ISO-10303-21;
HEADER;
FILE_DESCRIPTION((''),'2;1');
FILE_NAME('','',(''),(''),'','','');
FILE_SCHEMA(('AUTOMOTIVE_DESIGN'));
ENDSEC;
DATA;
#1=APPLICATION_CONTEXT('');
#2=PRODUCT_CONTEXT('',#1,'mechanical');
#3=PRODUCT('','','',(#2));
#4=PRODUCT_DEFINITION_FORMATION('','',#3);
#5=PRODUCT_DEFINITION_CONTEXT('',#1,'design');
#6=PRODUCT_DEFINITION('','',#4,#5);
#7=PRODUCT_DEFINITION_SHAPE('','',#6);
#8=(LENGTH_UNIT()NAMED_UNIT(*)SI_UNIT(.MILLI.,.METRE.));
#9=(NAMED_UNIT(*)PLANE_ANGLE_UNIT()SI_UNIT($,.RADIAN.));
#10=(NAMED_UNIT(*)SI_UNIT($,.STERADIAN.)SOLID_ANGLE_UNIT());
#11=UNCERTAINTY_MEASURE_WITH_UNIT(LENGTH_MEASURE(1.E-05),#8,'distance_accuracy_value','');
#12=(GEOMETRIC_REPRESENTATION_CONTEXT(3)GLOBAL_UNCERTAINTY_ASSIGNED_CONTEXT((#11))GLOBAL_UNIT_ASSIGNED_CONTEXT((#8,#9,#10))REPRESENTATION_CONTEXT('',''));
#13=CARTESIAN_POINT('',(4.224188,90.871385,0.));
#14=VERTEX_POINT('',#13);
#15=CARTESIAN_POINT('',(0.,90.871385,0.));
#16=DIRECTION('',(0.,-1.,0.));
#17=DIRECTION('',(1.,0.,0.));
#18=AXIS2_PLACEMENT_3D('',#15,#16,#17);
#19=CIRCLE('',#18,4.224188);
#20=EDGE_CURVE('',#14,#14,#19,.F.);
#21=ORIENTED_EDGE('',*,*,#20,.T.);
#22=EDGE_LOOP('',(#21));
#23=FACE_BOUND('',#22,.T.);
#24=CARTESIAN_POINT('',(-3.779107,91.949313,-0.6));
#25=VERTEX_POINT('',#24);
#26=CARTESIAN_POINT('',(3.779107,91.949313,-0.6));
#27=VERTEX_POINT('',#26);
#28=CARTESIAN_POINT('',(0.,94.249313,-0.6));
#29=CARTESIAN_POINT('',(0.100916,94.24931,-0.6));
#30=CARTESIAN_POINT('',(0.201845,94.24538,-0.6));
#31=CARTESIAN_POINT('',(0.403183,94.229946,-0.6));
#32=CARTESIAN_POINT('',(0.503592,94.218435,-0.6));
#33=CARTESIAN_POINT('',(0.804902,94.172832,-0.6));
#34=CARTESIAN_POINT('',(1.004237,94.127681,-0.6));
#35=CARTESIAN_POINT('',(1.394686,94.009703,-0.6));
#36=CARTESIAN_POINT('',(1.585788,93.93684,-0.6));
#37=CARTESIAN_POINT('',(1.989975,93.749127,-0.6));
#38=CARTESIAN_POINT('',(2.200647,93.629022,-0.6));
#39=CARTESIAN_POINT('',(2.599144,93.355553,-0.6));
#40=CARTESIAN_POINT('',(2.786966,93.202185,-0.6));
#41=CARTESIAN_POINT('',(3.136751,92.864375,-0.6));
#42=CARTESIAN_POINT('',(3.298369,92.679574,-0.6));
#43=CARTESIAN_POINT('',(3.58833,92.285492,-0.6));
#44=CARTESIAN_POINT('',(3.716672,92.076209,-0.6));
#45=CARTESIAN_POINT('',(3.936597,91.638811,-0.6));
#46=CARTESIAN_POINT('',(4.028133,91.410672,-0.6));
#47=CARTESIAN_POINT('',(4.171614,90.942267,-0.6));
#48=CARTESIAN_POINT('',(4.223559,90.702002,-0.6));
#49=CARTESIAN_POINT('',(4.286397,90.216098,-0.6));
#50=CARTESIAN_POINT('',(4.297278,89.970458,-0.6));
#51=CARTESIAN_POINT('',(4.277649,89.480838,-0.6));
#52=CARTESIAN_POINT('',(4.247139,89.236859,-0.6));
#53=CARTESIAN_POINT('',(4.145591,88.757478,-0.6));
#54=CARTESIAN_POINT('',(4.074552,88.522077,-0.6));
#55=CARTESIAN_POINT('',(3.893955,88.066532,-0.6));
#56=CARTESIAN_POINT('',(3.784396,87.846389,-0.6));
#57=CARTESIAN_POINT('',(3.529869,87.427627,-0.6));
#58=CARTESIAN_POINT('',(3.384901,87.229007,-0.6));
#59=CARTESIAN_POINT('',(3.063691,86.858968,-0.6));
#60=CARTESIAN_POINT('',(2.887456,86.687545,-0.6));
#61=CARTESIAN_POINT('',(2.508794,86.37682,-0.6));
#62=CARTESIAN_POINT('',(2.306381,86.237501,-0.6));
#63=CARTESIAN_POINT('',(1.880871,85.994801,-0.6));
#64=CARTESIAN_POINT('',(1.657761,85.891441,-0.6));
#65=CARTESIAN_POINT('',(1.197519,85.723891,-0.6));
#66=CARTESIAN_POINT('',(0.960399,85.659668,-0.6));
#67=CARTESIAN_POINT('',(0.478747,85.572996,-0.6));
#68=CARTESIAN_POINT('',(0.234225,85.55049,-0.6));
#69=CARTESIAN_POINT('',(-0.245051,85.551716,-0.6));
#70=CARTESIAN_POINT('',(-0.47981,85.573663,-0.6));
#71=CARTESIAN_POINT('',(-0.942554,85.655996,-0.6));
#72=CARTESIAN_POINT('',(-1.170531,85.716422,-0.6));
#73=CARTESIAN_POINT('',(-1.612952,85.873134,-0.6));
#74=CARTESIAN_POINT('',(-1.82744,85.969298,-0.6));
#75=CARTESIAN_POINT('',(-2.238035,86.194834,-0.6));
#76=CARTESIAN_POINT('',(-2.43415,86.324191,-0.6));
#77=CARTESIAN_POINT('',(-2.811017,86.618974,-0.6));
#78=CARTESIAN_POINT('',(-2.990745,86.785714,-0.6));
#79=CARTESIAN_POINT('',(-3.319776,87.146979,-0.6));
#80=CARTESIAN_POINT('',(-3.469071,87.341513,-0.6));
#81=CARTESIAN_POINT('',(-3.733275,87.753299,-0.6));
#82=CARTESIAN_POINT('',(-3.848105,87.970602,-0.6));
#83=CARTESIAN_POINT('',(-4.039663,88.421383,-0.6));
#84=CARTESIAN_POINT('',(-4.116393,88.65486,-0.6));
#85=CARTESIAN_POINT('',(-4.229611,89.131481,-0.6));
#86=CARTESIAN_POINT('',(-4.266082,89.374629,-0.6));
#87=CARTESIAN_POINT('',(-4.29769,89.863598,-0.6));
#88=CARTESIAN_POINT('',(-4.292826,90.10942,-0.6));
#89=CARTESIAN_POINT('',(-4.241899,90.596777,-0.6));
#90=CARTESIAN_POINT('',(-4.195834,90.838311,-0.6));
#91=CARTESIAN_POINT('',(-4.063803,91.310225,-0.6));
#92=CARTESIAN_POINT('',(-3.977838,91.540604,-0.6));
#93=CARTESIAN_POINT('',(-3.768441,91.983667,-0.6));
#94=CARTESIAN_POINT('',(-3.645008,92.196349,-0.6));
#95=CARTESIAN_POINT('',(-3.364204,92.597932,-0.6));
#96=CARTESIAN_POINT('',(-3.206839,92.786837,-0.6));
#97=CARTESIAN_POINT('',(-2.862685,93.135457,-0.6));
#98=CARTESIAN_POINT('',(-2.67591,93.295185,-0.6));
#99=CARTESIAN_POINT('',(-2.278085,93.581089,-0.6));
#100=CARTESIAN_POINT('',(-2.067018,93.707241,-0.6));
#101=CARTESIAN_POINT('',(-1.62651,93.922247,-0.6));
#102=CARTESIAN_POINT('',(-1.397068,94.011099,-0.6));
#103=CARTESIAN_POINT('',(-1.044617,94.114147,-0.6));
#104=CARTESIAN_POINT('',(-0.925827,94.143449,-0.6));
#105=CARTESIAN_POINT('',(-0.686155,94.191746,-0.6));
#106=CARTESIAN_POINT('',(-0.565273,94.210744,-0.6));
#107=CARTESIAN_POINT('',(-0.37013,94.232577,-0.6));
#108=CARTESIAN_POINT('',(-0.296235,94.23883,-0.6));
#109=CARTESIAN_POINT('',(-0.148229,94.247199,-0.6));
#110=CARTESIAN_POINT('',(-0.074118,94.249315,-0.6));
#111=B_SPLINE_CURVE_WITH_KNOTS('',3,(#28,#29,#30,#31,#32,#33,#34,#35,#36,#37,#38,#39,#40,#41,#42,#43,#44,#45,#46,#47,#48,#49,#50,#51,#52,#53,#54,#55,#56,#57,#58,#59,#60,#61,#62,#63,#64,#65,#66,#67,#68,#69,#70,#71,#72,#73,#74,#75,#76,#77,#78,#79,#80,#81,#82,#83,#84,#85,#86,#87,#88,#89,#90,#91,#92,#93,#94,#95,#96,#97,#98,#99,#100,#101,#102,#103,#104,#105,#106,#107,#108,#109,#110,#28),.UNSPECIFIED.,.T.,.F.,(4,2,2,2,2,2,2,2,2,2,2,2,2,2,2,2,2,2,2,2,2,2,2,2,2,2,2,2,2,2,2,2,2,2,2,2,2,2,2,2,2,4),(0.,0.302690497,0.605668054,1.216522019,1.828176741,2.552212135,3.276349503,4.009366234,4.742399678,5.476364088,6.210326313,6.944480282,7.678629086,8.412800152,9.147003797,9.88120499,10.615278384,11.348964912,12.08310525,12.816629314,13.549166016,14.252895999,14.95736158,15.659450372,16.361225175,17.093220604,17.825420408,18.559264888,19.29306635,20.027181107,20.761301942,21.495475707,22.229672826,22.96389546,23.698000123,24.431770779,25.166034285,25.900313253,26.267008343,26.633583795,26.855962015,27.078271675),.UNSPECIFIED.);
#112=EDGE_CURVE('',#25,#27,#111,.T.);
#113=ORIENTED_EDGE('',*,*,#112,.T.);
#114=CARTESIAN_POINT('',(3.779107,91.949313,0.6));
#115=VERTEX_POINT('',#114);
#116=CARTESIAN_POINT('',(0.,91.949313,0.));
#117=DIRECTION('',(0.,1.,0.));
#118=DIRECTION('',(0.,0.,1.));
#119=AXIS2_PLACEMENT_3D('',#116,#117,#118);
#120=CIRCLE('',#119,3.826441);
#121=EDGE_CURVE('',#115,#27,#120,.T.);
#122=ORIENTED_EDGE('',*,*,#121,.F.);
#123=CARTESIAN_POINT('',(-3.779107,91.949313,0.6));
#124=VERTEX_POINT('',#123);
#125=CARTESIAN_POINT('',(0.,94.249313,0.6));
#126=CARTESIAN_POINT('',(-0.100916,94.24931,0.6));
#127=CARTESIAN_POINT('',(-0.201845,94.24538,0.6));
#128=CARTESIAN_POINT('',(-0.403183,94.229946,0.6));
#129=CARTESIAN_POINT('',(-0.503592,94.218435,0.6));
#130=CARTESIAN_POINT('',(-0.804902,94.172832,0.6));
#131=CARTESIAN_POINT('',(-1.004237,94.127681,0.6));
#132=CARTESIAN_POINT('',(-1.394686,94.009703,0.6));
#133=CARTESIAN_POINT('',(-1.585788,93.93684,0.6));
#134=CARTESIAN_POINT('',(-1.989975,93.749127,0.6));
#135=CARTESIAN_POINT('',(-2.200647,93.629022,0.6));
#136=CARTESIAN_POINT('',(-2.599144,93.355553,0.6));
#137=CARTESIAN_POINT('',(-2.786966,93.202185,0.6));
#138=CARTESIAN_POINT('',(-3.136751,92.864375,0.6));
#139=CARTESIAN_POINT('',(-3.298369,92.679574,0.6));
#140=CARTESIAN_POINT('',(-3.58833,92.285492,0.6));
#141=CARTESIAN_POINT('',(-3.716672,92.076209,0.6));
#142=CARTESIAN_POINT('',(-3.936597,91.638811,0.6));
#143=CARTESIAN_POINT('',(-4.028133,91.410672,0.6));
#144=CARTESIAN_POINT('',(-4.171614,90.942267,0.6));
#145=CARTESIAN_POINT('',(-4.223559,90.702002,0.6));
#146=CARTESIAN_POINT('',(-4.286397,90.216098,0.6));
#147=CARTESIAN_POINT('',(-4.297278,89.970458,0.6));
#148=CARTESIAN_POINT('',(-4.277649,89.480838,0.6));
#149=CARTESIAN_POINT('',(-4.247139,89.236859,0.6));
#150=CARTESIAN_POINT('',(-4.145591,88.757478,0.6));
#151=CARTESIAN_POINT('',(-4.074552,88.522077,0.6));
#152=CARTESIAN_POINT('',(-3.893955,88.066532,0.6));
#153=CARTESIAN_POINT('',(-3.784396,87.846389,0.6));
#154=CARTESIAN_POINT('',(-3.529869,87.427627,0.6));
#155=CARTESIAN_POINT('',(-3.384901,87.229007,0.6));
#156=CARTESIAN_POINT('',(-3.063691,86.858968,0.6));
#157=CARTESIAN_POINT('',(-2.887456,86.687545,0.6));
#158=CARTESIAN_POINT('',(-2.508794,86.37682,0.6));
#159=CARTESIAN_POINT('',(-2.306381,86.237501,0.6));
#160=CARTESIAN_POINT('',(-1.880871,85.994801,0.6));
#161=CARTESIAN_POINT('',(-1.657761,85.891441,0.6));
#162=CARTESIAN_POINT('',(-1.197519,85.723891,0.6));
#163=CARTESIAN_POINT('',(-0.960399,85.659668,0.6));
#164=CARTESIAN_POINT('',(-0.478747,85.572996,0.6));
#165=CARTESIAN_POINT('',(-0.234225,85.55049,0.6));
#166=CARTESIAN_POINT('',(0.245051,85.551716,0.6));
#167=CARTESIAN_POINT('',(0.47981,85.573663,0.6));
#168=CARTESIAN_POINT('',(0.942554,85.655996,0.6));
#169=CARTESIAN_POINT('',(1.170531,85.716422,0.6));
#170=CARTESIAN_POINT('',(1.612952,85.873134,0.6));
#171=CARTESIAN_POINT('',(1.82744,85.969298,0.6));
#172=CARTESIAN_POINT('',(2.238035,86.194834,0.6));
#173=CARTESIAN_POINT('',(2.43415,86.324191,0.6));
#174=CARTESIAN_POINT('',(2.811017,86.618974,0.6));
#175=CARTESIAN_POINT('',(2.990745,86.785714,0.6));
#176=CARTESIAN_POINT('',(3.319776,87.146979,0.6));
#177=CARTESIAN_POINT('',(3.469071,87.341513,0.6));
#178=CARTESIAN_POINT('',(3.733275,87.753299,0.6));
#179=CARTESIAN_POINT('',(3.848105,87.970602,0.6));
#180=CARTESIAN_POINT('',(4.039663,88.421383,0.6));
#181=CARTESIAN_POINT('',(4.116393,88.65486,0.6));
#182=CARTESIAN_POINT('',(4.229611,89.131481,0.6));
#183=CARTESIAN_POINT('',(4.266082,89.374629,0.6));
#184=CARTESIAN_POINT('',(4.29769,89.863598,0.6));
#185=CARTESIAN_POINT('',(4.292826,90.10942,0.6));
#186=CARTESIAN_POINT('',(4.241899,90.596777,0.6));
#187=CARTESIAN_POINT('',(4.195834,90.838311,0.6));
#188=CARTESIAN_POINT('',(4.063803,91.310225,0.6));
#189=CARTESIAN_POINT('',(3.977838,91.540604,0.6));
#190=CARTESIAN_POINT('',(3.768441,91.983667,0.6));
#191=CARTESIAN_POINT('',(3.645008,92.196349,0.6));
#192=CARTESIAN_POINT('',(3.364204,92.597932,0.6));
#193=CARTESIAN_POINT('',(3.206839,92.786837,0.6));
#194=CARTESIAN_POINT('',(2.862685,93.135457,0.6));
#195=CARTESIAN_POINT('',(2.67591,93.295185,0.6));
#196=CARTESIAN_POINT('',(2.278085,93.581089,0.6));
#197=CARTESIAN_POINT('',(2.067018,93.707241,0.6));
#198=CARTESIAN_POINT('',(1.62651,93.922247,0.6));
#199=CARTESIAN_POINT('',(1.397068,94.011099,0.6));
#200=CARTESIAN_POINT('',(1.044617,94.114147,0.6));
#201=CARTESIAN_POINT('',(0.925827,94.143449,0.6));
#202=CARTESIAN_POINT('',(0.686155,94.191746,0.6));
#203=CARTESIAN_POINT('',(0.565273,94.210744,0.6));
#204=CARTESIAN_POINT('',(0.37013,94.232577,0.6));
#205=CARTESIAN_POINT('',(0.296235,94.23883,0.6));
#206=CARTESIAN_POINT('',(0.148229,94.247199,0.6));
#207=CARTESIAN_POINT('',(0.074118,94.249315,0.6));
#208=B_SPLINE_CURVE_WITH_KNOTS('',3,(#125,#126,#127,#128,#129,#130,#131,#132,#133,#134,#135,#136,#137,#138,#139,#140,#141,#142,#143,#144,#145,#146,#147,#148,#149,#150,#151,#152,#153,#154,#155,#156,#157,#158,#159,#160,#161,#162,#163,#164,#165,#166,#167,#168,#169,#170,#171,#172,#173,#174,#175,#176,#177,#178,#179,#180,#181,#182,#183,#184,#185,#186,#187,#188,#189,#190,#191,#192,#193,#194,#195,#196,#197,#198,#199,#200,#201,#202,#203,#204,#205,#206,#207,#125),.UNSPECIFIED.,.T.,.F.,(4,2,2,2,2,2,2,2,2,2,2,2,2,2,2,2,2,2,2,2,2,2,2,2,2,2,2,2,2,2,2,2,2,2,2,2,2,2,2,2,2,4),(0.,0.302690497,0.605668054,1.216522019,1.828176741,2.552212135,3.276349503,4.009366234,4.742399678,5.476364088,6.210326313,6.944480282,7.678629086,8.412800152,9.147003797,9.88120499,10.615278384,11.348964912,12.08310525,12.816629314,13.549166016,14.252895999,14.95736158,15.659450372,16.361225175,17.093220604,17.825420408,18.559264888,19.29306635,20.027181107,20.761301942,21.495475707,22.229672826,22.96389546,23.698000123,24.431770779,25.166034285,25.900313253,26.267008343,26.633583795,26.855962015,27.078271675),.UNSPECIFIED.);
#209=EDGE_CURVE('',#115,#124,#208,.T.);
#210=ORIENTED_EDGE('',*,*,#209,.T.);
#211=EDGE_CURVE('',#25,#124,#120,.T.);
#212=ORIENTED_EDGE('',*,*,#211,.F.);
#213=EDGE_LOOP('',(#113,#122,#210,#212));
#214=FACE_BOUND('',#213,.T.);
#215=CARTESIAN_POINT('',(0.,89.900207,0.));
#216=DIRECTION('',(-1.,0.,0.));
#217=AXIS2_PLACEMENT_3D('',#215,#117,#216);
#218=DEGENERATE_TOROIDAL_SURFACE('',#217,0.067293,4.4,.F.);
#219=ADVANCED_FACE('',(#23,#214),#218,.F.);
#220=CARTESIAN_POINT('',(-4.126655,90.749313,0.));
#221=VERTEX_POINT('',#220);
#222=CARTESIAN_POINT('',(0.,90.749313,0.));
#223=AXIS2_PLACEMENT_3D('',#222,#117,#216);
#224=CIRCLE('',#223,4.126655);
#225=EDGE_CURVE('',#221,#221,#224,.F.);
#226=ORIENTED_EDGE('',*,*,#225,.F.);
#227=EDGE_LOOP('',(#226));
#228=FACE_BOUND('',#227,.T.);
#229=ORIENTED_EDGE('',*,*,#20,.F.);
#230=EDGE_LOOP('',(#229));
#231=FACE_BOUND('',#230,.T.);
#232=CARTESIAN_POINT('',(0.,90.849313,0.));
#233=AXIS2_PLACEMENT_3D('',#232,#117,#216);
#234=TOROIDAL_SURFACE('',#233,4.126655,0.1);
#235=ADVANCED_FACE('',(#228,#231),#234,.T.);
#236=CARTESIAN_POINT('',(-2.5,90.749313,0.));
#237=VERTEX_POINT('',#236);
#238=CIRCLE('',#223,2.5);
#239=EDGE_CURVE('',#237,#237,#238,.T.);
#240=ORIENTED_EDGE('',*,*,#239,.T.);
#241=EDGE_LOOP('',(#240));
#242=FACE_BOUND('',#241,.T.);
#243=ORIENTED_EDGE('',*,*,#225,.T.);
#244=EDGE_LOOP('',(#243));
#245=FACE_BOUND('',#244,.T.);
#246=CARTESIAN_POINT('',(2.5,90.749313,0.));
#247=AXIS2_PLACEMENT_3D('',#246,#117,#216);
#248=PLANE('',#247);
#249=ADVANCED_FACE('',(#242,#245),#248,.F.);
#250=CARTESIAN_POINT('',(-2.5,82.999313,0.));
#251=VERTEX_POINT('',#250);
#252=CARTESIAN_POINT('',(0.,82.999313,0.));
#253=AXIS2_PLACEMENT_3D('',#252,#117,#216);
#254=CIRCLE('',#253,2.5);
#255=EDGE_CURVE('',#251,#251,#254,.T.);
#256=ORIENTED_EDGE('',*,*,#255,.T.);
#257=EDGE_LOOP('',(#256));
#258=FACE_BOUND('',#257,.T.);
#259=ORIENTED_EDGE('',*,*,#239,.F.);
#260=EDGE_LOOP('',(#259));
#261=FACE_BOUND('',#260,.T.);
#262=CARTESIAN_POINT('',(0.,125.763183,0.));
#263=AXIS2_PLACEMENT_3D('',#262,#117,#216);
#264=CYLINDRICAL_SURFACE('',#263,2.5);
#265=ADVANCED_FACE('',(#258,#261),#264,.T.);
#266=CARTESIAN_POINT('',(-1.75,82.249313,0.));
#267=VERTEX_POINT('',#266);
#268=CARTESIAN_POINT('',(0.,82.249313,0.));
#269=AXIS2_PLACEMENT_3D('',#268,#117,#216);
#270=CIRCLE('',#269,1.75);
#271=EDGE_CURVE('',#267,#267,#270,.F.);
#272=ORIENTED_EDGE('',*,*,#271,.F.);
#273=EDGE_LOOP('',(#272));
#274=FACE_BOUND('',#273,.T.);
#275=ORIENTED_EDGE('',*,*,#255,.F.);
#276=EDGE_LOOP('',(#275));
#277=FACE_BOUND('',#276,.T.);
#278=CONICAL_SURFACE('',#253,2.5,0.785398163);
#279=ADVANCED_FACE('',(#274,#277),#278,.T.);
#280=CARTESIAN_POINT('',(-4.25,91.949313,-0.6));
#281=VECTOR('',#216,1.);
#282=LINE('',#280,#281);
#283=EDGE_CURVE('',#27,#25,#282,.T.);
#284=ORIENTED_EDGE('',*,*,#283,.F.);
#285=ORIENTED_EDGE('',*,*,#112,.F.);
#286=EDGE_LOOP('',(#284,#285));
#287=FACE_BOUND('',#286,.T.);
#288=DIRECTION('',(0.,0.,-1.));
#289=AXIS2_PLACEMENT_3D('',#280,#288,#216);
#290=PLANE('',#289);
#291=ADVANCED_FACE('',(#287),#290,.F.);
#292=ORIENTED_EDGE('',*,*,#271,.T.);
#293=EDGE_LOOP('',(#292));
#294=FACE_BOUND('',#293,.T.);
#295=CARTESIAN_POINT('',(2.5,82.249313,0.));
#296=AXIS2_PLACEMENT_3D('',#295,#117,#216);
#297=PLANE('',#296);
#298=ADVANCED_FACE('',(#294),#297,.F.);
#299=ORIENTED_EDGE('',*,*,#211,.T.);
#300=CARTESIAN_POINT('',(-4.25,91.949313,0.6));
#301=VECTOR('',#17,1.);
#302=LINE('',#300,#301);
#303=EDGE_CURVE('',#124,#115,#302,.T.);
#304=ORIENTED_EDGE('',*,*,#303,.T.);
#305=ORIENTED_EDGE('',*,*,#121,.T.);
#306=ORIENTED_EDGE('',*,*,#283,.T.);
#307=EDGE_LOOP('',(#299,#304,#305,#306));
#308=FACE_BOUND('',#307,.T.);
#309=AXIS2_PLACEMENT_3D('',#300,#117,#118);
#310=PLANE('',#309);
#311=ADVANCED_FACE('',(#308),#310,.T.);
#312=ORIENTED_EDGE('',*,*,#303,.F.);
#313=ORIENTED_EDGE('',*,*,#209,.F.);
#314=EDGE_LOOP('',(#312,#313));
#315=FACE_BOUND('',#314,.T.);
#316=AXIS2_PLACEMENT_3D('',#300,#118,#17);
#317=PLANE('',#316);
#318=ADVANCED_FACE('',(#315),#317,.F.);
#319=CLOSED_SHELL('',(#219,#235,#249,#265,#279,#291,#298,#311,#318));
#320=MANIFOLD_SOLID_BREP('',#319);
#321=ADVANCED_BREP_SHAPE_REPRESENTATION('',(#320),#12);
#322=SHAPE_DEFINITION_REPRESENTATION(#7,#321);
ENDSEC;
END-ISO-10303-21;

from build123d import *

# Parameters (mm, degrees)
SKETCH_13_W         = 8.5
SKETCH_13_H         = 1.2
CUT_EXTRUDE_9_DEPTH = 2.3
FILLET_1_R          = 0.1
CHAMFER_1_SIZE      = 0.75


with BuildPart() as part:
    # Эскиз1 → Повернуть1 (revolve)
    with BuildSketch(Plane.XY):
        with BuildLine():
            Line((2.5, 90.74931314), (4.25, 90.74931314))
            ThreePointArc((4.25, 90.74931314), (2.978035275, 93.076049927), (0.6, 94.24931314))
            Line((0.6, 94.24931314), (0, 94.24931314))
            Line((0, 94.24931314), (0, 82.24931314))
            Line((0, 82.24931314), (2.5, 82.24931314))
            Line((2.5, 82.24931314), (2.5, 90.74931314))
        make_face()
    revolve(axis=Axis((0, 125.763182898, 0), (0, -1, 0)))

    # Эскиз13 → Вырез-Вытянуть9 (cut)
    with BuildSketch(Plane(origin=(0, 94.24931314, 0), x_dir=(-1, 0, 0), z_dir=(0, 1, 0))):
        Rectangle(SKETCH_13_W, SKETCH_13_H)
    extrude(amount=-CUT_EXTRUDE_9_DEPTH, mode=Mode.SUBTRACT)

    # Скругление1
    fillet_1_edges = [part.edges().sort_by_distance(p)[0] for p in [
        (-4.25, 90.74931314, 0),
    ]]
    fillet(fillet_1_edges, radius=FILLET_1_R)

    # Фаска1
    chamfer_1_edges = [part.edges().sort_by_distance(p)[0] for p in [
        (-2.5, 82.24931314, 0),
    ]]
    chamfer(chamfer_1_edges, length=CHAMFER_1_SIZE)


solid = part.part
